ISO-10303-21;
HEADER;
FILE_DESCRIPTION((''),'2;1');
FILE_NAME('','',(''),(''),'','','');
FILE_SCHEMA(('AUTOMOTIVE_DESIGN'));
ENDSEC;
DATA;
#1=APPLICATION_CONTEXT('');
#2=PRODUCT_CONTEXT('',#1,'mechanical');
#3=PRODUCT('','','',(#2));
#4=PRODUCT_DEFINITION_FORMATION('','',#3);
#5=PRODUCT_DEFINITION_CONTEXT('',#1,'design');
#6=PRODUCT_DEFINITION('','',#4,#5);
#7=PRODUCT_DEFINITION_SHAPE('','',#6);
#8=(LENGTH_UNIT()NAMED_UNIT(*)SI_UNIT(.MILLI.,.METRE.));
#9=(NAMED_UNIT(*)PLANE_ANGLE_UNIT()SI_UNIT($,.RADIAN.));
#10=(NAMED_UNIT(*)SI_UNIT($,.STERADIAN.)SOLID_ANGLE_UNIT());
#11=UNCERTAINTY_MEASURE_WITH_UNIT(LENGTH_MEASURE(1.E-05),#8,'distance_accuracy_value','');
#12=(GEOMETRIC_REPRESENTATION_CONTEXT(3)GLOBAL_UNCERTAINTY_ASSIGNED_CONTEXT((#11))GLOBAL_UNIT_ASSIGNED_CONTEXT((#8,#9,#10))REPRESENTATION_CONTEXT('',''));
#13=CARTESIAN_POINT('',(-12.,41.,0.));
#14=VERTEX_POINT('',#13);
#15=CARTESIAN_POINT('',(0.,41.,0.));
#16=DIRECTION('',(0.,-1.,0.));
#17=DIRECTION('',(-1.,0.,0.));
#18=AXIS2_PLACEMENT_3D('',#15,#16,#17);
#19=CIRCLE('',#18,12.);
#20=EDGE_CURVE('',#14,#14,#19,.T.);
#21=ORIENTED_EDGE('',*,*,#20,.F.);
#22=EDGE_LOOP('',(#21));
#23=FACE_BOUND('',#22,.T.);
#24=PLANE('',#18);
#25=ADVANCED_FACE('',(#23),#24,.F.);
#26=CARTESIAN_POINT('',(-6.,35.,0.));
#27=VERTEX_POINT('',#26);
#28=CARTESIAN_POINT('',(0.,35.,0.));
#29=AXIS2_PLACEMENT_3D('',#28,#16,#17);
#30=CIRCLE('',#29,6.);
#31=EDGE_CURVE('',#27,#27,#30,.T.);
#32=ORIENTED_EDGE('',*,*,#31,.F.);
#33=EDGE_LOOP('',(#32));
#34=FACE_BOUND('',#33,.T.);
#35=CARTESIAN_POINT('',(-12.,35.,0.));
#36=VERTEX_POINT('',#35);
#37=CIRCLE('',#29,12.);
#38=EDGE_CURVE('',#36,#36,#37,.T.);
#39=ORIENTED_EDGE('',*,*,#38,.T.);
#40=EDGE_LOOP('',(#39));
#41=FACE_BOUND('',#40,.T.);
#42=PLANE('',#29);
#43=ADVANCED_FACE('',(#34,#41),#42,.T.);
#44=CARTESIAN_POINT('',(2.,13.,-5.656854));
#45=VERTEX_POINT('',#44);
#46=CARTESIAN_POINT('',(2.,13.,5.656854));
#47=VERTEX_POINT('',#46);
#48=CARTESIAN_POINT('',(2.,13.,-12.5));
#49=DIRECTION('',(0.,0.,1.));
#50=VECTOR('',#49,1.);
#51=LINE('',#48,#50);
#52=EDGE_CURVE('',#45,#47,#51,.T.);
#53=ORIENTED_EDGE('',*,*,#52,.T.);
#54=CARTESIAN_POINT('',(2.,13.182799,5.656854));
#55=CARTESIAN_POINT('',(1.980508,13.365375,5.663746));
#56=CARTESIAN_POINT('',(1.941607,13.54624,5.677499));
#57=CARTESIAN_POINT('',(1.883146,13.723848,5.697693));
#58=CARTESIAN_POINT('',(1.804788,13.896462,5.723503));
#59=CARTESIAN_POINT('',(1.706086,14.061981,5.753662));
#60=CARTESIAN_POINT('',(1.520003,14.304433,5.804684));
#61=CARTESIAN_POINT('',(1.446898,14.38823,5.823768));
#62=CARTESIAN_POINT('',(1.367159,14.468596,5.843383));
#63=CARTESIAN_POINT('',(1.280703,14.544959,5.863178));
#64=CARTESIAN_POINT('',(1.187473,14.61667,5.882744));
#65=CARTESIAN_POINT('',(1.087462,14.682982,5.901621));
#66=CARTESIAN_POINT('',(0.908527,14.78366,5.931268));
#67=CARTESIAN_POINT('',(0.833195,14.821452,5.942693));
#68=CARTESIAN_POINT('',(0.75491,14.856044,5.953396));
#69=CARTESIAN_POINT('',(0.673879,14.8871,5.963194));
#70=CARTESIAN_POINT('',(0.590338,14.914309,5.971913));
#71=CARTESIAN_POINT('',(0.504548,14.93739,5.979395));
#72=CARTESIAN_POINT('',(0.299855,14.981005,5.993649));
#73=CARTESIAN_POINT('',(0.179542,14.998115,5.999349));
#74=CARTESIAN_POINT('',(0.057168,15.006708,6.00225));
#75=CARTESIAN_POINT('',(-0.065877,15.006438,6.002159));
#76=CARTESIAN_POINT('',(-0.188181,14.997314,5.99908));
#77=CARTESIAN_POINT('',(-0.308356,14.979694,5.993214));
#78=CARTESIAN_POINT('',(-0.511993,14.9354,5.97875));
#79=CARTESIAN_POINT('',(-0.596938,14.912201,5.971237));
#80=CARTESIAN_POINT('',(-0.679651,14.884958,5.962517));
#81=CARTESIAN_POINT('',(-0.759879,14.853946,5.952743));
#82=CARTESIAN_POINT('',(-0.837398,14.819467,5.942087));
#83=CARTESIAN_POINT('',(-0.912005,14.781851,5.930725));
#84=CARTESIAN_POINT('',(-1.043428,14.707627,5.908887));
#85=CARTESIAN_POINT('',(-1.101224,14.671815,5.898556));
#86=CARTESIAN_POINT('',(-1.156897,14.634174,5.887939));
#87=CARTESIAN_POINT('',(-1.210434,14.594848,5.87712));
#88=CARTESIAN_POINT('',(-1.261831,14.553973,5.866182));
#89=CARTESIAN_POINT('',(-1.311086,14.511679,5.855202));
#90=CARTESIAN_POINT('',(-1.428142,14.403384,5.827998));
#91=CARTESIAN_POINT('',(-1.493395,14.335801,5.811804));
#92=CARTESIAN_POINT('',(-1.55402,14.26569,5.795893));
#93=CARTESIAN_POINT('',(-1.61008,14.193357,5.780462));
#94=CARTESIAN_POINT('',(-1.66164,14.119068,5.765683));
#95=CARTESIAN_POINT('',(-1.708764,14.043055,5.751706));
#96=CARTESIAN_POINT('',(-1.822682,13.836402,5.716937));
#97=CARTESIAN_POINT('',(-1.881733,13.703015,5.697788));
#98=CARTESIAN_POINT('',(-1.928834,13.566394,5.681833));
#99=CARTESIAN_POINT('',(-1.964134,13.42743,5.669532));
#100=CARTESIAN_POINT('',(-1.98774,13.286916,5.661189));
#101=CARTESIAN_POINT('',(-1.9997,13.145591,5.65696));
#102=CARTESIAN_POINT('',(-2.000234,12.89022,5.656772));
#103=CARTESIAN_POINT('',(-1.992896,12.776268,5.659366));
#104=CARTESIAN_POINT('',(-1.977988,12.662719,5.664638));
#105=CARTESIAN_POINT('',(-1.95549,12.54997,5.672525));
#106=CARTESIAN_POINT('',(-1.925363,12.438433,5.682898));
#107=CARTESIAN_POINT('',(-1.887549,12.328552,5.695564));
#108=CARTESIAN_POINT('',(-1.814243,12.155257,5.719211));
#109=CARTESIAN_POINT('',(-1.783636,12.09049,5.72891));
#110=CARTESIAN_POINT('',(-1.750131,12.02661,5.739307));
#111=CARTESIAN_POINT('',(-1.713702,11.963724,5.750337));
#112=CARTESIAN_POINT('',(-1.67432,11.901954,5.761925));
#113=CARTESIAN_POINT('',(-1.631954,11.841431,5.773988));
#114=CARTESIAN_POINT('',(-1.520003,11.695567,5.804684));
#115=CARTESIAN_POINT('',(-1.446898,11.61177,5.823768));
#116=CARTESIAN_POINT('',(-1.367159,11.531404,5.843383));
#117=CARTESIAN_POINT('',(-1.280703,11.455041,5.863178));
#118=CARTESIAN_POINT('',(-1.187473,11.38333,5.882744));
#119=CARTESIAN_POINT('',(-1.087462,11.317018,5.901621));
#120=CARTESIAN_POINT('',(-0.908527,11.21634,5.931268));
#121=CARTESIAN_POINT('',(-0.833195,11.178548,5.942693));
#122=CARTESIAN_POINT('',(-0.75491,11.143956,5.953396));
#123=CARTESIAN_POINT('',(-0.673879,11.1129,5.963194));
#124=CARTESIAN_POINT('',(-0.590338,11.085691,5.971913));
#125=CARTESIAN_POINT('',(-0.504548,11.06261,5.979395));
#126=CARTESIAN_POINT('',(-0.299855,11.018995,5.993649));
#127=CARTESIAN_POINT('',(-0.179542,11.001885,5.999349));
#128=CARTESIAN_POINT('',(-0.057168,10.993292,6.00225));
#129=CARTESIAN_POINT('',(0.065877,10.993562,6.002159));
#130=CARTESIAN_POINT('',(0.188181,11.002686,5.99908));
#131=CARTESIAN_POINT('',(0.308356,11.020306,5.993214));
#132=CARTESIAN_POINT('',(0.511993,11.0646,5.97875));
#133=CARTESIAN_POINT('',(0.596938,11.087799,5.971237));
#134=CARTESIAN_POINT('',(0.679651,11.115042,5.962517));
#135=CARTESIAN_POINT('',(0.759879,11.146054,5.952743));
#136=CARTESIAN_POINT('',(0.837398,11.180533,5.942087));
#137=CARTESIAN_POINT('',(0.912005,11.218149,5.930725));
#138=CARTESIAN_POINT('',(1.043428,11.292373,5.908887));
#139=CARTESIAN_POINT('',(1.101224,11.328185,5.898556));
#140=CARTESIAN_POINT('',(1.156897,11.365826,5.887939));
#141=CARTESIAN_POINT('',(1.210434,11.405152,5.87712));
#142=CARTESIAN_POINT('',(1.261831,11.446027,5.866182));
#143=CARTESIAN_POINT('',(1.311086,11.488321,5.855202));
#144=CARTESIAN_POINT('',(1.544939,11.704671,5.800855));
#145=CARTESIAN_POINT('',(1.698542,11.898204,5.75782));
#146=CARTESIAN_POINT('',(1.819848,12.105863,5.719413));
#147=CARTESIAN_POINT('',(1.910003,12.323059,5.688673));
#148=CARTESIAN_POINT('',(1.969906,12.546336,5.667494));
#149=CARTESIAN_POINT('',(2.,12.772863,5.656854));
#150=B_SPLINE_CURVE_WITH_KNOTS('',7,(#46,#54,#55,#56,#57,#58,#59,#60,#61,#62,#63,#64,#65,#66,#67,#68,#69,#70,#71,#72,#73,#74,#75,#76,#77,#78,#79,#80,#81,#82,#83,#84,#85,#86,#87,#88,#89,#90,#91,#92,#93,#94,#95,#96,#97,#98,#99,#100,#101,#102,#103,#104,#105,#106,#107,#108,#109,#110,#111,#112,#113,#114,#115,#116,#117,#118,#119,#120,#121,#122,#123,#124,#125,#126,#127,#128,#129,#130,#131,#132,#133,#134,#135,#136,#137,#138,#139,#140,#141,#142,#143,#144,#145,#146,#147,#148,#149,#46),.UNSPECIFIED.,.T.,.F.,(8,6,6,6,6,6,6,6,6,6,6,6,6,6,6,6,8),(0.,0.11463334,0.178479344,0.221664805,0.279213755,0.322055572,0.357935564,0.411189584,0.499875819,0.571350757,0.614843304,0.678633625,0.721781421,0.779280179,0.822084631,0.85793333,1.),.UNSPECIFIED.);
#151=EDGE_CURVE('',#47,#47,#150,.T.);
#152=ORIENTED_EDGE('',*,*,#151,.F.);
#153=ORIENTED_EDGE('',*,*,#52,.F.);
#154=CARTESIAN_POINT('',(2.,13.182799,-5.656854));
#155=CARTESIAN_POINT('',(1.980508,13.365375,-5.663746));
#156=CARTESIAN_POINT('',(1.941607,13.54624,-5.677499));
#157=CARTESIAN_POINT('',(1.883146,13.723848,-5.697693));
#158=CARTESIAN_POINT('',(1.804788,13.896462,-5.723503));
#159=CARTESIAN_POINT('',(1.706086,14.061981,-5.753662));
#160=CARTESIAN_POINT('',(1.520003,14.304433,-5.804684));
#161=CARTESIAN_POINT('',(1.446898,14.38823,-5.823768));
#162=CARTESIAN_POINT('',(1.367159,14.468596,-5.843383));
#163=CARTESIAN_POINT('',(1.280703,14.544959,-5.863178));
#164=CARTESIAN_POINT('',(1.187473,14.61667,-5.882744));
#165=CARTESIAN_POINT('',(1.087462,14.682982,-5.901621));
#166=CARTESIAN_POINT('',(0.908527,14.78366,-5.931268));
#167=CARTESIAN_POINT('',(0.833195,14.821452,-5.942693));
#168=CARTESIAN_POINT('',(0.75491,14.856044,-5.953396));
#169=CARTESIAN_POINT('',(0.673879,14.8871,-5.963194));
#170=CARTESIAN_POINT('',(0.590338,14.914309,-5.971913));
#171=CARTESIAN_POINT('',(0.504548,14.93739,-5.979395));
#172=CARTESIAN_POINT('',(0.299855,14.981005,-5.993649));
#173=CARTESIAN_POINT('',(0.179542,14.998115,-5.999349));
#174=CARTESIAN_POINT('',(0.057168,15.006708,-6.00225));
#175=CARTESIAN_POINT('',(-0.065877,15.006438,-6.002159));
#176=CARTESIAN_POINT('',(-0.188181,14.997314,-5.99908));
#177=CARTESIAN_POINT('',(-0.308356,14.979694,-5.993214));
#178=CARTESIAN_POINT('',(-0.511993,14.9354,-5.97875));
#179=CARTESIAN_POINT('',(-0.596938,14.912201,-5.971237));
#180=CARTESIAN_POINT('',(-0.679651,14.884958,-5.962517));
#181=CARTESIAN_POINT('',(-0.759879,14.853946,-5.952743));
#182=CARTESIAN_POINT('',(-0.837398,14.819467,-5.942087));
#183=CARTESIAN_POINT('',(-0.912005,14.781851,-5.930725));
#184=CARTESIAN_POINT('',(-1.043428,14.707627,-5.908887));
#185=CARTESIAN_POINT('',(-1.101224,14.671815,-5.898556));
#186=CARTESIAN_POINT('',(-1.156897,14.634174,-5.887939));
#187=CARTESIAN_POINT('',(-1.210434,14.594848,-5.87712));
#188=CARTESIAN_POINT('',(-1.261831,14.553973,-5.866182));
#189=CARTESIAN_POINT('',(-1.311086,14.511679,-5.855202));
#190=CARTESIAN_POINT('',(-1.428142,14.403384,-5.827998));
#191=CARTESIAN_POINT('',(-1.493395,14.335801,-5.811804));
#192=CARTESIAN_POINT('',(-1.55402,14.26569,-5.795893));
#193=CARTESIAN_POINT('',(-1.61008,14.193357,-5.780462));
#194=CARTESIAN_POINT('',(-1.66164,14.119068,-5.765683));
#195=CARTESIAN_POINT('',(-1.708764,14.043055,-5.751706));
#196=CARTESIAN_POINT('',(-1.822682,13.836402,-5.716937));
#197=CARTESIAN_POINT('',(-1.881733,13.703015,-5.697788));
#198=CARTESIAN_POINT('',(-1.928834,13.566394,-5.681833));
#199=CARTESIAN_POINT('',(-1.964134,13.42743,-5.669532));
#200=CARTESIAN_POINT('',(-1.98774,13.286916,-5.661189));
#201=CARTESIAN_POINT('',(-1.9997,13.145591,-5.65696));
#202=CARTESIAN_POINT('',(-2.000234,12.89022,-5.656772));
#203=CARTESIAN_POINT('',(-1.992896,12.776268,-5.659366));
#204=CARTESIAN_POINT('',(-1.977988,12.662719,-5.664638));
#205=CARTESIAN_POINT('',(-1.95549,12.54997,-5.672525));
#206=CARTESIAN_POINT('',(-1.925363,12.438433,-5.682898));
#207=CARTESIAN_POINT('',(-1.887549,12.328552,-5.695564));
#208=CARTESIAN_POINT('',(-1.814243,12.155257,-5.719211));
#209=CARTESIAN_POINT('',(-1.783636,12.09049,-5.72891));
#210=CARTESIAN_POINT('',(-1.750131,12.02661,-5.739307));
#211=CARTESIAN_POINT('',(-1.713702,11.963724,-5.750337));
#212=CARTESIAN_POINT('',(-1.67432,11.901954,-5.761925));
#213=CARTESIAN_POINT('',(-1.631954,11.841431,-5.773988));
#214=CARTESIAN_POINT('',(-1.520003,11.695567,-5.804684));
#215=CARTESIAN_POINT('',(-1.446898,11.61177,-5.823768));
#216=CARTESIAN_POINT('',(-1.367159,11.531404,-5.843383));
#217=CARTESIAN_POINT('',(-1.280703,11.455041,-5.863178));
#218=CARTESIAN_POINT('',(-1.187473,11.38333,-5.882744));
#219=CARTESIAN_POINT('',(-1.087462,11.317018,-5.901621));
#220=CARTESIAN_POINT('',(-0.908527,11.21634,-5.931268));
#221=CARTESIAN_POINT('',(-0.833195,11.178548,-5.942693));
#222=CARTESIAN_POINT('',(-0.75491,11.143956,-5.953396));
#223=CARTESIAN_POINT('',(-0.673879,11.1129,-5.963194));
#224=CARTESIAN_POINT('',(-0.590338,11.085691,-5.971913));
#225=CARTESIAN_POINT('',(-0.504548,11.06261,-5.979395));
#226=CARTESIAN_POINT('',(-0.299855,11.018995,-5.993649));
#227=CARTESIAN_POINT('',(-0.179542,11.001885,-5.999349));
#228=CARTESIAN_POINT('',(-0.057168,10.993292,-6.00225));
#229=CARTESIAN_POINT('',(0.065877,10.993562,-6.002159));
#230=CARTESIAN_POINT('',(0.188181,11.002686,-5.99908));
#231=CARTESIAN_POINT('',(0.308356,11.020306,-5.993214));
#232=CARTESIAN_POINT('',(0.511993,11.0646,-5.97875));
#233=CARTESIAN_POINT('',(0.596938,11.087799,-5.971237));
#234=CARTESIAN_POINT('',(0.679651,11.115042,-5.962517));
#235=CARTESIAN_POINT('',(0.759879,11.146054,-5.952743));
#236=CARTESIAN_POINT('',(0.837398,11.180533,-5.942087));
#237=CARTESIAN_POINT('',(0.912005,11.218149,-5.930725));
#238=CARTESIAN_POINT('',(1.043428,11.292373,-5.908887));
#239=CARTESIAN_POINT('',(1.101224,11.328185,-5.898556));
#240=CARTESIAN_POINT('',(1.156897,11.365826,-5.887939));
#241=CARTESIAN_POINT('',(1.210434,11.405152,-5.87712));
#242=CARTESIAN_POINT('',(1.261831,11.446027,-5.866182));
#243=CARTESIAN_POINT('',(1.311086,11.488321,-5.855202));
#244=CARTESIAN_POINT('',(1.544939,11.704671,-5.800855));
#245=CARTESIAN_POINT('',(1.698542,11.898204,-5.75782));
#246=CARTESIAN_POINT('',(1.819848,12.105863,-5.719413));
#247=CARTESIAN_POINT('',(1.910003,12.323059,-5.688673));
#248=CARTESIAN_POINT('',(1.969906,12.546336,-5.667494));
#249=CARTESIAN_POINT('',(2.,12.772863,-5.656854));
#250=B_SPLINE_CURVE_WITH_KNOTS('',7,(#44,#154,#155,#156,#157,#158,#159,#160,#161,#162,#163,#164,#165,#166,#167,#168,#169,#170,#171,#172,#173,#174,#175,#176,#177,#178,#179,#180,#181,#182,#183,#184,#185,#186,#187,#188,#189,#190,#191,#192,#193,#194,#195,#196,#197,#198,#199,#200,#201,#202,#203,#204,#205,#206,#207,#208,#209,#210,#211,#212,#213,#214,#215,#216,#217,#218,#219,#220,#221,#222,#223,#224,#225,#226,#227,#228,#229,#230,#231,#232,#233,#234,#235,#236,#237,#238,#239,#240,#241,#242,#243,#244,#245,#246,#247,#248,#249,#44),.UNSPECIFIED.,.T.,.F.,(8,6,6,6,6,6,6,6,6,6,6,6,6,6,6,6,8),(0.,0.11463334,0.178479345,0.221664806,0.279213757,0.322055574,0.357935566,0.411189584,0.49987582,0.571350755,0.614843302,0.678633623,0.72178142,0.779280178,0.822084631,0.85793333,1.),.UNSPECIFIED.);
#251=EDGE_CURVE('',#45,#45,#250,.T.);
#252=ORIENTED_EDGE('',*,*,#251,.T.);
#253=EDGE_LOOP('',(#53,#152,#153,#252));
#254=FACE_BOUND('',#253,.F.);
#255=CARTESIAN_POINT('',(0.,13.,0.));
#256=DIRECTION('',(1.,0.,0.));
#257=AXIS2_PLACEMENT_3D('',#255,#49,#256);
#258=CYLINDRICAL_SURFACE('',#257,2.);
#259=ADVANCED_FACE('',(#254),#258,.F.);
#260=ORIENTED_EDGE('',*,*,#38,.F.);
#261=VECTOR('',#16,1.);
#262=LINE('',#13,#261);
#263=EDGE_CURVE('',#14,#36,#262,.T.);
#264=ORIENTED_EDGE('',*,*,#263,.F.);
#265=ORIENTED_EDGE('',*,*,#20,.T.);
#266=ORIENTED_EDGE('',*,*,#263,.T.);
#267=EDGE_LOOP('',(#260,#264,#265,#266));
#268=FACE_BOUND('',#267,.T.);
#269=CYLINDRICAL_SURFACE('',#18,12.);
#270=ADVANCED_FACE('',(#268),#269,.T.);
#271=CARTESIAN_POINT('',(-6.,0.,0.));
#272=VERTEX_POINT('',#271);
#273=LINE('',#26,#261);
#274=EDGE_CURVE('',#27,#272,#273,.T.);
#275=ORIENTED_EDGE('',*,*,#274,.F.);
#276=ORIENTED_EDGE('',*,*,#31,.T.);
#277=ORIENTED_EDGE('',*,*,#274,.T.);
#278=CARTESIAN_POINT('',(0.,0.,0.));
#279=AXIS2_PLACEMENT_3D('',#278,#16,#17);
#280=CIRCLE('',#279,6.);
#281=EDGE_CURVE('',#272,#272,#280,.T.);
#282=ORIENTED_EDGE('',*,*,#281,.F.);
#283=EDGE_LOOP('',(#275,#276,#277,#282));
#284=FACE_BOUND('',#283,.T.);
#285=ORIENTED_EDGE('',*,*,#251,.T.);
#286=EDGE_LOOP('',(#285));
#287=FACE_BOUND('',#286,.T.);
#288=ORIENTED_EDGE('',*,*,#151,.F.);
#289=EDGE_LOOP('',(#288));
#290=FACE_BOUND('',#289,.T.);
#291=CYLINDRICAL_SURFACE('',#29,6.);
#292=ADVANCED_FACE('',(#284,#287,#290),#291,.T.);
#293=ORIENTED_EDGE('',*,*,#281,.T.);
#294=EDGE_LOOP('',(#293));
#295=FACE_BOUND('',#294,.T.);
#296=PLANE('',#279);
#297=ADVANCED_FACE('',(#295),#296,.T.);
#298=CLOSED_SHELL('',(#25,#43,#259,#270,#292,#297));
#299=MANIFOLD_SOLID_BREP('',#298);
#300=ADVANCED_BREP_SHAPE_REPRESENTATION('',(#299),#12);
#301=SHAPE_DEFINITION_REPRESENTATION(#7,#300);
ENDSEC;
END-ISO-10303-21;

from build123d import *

# Parameters (mm, degrees)
F2_R     = 2
F3_DEPTH = 12.5


with BuildPart() as f1:
    # F0 (on Top) → F1 (revolve)
    with BuildSketch(Plane.XY):
        Polygon((0, 0), (0, 41), (-12, 41), (-12, 35), (-6, 35), (-6, 0), align=None)
    revolve(axis=Axis((0, 20.5, 0), (0, -1, 0)))

    # F2 (on Top) → F3 (cut, symmetric)
    with BuildSketch(Plane.XY):
        with Locations((0, 13)):
            Circle(F2_R)
    extrude(amount=F3_DEPTH, both=True, mode=Mode.SUBTRACT)


solid = f1.part
